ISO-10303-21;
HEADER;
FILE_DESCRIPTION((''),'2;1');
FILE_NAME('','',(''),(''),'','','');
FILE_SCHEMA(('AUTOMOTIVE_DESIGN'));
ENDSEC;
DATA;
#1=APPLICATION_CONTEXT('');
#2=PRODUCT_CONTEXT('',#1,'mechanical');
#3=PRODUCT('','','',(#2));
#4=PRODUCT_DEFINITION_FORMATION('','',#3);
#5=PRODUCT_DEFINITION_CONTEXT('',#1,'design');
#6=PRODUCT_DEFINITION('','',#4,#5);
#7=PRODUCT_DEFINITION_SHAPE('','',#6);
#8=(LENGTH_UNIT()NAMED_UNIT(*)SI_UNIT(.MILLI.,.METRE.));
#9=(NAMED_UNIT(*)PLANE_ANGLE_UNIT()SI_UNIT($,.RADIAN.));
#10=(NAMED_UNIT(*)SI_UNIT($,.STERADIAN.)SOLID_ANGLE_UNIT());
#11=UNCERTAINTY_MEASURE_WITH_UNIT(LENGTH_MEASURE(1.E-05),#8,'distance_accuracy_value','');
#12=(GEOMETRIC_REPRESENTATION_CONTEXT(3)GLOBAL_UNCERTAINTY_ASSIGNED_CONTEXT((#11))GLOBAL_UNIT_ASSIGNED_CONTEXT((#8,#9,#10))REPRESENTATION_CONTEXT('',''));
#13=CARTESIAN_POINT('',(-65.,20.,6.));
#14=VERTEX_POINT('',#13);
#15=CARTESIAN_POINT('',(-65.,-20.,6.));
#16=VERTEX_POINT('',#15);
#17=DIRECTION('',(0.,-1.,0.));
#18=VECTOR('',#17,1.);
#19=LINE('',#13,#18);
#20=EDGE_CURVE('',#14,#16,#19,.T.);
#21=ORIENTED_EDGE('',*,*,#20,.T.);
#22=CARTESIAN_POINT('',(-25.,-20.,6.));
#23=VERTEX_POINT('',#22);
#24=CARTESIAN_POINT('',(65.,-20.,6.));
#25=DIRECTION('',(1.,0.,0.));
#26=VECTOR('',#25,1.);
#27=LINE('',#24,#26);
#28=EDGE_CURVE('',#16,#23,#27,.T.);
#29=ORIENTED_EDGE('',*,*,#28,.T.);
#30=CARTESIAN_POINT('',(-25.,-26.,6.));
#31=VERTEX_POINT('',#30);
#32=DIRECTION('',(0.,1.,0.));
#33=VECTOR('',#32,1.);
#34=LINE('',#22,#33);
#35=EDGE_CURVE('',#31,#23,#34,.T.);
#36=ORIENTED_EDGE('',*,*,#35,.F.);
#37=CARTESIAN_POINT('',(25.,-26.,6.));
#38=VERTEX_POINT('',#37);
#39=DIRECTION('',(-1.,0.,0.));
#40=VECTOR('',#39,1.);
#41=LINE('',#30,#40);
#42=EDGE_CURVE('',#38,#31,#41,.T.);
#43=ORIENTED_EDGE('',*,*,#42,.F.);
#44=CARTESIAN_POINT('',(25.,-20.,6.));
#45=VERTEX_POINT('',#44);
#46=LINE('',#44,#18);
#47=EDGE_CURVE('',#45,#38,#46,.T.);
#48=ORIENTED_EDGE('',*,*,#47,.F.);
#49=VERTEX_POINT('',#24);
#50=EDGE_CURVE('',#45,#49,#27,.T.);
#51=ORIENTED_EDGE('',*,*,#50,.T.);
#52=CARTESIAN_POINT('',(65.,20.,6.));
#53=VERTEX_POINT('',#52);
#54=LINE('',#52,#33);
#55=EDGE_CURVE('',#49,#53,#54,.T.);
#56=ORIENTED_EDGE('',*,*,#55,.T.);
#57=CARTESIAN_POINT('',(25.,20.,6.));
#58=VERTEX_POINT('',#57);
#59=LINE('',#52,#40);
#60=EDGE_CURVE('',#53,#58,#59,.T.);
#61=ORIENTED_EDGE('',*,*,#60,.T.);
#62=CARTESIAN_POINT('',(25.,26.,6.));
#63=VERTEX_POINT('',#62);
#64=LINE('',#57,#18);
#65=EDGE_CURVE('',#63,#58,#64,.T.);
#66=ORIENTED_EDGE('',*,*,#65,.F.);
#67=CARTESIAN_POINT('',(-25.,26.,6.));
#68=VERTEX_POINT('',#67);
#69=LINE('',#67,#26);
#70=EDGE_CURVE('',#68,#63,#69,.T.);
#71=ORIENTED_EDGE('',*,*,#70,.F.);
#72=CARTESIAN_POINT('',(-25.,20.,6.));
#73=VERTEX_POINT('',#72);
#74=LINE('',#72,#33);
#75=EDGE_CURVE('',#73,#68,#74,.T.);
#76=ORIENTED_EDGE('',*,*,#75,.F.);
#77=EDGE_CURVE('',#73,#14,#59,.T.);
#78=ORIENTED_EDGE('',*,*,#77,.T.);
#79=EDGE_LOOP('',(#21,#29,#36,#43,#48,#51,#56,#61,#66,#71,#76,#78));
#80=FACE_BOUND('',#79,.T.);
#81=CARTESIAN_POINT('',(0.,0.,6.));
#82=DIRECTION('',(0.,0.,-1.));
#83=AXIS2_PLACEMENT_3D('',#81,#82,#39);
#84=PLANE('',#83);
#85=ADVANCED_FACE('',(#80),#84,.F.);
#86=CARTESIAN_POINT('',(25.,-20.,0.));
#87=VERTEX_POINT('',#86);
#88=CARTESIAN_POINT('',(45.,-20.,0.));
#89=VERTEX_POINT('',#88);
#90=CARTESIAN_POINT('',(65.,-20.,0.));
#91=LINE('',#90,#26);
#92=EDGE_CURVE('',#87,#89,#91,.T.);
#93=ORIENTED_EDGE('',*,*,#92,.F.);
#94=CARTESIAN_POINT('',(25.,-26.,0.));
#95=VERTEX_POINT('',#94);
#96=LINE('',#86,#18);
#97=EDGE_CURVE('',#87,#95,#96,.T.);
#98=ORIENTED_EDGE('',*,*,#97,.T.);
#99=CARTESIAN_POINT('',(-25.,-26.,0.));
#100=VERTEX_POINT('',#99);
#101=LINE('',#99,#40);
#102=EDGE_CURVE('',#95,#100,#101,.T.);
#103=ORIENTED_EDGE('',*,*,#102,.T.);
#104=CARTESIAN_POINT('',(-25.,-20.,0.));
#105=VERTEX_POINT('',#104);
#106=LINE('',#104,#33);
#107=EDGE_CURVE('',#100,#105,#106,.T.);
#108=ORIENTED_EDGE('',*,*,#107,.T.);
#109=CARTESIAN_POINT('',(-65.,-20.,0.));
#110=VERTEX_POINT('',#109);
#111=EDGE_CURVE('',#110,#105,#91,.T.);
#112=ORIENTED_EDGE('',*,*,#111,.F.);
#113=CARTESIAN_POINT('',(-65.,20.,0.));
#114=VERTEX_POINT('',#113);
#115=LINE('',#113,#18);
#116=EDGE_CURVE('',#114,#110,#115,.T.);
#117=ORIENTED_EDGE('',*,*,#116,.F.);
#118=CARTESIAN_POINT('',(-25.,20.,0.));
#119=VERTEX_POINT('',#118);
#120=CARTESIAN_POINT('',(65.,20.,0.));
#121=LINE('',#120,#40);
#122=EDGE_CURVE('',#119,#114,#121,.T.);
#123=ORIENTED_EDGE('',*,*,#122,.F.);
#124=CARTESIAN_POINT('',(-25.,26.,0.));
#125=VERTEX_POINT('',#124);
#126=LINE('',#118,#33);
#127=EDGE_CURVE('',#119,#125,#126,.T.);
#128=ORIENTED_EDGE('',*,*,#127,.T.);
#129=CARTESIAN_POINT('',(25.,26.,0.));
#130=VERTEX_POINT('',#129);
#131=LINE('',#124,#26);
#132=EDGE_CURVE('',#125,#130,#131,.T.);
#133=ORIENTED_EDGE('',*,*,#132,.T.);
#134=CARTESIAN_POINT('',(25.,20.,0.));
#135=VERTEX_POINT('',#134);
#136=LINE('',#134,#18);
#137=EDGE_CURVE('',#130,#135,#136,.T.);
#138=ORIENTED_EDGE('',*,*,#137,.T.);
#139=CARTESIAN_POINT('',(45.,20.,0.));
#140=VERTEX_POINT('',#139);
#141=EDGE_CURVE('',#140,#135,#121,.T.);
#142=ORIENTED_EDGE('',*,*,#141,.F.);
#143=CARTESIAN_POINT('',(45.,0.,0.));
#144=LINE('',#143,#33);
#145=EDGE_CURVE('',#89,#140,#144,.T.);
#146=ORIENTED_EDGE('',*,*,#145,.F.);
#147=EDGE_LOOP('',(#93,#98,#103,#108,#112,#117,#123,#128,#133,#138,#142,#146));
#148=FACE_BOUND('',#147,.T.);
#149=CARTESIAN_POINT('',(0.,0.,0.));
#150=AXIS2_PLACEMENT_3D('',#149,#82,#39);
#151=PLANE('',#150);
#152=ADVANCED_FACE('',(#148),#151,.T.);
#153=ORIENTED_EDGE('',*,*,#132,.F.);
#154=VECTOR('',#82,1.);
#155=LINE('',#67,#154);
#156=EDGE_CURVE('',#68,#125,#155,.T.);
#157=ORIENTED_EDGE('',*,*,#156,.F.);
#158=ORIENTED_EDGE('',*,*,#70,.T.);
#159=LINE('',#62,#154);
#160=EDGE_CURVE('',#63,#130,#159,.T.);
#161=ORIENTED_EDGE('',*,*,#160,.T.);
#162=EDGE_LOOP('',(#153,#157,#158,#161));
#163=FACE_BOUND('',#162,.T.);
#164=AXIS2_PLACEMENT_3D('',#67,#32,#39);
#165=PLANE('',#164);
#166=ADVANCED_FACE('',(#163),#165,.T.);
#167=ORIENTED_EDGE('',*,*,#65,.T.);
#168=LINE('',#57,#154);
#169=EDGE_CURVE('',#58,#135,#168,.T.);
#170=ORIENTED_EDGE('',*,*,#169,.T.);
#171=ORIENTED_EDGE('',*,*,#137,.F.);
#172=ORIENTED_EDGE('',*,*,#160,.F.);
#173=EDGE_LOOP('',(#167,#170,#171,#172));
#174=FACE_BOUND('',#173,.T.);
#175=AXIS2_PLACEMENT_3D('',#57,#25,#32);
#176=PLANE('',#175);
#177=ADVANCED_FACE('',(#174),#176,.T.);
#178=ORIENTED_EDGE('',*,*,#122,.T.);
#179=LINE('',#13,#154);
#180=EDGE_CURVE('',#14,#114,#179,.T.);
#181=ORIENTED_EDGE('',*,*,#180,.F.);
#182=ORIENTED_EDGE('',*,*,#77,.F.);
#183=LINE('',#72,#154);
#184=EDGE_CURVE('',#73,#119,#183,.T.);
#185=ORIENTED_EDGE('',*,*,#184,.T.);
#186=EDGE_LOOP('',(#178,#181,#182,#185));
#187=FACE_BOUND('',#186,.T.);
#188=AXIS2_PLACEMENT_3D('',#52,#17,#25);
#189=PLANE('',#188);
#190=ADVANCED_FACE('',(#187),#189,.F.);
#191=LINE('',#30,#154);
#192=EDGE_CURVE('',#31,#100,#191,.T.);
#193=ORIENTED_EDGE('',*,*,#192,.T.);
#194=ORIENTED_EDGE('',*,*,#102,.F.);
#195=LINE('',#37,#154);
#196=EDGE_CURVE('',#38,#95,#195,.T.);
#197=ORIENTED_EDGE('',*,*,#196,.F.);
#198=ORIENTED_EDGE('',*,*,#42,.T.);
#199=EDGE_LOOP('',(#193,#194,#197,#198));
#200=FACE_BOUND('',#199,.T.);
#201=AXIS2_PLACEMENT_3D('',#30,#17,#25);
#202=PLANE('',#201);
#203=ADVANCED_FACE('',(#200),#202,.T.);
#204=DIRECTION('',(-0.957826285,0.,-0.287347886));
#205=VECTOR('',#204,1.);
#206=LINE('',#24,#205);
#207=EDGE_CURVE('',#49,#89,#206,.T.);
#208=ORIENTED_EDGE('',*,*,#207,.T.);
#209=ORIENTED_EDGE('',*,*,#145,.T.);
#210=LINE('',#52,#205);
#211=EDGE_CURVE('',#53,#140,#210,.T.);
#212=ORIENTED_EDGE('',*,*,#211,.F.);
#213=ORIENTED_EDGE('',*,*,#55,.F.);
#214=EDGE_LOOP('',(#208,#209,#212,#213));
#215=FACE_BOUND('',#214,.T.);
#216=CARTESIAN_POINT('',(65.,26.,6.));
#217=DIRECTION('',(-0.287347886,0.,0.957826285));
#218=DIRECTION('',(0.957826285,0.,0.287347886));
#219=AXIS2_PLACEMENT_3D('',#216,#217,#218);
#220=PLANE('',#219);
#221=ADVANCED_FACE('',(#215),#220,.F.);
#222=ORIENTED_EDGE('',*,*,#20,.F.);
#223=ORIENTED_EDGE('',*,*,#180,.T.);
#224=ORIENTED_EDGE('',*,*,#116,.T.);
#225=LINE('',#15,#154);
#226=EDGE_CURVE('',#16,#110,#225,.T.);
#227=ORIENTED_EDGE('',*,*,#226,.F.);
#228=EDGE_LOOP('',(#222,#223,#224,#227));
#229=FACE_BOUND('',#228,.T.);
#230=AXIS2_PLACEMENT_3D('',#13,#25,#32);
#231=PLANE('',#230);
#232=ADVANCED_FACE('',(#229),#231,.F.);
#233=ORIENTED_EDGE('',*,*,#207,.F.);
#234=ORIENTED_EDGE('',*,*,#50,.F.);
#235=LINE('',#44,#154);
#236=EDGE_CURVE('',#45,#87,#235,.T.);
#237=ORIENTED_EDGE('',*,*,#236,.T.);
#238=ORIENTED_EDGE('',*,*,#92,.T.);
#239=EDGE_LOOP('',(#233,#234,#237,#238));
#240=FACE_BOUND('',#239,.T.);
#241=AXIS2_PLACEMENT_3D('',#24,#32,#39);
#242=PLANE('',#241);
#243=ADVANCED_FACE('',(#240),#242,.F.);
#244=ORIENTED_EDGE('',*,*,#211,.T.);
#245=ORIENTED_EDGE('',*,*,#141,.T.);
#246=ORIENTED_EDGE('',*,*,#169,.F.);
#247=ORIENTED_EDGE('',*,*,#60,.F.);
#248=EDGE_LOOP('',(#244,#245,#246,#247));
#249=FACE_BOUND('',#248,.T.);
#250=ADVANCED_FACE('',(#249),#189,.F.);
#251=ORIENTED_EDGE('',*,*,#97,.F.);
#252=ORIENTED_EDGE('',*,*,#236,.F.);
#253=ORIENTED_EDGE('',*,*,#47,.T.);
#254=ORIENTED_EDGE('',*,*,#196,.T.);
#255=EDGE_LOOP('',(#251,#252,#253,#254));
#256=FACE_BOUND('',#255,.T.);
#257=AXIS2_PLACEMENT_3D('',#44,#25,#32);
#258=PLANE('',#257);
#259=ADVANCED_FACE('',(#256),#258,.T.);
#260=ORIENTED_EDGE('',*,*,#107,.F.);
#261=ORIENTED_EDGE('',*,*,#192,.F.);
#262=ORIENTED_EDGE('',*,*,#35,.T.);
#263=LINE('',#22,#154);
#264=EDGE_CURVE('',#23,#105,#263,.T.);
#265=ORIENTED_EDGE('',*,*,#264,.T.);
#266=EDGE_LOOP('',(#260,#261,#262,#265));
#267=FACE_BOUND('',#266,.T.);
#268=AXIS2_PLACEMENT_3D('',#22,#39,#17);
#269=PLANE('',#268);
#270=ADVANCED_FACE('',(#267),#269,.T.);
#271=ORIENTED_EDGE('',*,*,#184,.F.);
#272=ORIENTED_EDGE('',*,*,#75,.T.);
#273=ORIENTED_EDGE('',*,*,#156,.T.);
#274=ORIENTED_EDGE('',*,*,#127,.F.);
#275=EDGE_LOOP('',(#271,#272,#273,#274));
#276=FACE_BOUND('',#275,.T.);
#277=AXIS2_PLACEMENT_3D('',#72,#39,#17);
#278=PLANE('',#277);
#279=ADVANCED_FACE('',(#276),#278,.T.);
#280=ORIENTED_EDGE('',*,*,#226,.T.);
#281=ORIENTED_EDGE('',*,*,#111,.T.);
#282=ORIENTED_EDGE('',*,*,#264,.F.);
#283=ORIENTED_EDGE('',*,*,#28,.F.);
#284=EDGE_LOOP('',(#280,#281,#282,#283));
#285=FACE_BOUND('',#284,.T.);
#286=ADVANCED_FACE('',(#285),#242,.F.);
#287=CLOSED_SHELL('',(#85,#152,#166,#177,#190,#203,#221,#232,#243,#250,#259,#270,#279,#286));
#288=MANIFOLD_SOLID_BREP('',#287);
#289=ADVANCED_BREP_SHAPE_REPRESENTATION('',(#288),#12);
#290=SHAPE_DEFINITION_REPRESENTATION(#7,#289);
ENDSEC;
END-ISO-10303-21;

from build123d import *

# Parameters (mm, degrees)
ESQUISSE1_W             = 130
ESQUISSE1_H             = 40
BOSS_EXTRU_1_DEPTH      = 6
ESQUISSE5_W             = 50
ESQUISSE5_H             = 6
BOSS_EXTRU_3_DEPTH      = 6
ENL_V_MAT_EXTRU_1_DEPTH = 47


with BuildPart() as part:
    # Esquisse1 → Boss.-Extru.1 (new body)
    with BuildSketch(Plane.XY):
        Rectangle(ESQUISSE1_W, ESQUISSE1_H)
    extrude(amount=BOSS_EXTRU_1_DEPTH)

    # Esquisse5 → Boss.-Extru.3 (add)
    with BuildSketch(Plane(origin=(0, 0, 0), x_dir=(-1, 0, 0), z_dir=(0, 0, -1))):
        with Locations((0, 23)):
            Rectangle(ESQUISSE5_W, ESQUISSE5_H)
        with Locations((0, -23)):
            Rectangle(ESQUISSE5_W, ESQUISSE5_H)
    extrude(amount=-BOSS_EXTRU_3_DEPTH)

    # Esquisse6 → Enlèv. mat.-Extru.1 (cut, through all)
    with BuildSketch(Plane.XZ.offset(20)):
        Polygon((65, 6), (45, 0), (65, 0), align=None)
    extrude(amount=-ENL_V_MAT_EXTRU_1_DEPTH, mode=Mode.SUBTRACT)


solid = part.part
